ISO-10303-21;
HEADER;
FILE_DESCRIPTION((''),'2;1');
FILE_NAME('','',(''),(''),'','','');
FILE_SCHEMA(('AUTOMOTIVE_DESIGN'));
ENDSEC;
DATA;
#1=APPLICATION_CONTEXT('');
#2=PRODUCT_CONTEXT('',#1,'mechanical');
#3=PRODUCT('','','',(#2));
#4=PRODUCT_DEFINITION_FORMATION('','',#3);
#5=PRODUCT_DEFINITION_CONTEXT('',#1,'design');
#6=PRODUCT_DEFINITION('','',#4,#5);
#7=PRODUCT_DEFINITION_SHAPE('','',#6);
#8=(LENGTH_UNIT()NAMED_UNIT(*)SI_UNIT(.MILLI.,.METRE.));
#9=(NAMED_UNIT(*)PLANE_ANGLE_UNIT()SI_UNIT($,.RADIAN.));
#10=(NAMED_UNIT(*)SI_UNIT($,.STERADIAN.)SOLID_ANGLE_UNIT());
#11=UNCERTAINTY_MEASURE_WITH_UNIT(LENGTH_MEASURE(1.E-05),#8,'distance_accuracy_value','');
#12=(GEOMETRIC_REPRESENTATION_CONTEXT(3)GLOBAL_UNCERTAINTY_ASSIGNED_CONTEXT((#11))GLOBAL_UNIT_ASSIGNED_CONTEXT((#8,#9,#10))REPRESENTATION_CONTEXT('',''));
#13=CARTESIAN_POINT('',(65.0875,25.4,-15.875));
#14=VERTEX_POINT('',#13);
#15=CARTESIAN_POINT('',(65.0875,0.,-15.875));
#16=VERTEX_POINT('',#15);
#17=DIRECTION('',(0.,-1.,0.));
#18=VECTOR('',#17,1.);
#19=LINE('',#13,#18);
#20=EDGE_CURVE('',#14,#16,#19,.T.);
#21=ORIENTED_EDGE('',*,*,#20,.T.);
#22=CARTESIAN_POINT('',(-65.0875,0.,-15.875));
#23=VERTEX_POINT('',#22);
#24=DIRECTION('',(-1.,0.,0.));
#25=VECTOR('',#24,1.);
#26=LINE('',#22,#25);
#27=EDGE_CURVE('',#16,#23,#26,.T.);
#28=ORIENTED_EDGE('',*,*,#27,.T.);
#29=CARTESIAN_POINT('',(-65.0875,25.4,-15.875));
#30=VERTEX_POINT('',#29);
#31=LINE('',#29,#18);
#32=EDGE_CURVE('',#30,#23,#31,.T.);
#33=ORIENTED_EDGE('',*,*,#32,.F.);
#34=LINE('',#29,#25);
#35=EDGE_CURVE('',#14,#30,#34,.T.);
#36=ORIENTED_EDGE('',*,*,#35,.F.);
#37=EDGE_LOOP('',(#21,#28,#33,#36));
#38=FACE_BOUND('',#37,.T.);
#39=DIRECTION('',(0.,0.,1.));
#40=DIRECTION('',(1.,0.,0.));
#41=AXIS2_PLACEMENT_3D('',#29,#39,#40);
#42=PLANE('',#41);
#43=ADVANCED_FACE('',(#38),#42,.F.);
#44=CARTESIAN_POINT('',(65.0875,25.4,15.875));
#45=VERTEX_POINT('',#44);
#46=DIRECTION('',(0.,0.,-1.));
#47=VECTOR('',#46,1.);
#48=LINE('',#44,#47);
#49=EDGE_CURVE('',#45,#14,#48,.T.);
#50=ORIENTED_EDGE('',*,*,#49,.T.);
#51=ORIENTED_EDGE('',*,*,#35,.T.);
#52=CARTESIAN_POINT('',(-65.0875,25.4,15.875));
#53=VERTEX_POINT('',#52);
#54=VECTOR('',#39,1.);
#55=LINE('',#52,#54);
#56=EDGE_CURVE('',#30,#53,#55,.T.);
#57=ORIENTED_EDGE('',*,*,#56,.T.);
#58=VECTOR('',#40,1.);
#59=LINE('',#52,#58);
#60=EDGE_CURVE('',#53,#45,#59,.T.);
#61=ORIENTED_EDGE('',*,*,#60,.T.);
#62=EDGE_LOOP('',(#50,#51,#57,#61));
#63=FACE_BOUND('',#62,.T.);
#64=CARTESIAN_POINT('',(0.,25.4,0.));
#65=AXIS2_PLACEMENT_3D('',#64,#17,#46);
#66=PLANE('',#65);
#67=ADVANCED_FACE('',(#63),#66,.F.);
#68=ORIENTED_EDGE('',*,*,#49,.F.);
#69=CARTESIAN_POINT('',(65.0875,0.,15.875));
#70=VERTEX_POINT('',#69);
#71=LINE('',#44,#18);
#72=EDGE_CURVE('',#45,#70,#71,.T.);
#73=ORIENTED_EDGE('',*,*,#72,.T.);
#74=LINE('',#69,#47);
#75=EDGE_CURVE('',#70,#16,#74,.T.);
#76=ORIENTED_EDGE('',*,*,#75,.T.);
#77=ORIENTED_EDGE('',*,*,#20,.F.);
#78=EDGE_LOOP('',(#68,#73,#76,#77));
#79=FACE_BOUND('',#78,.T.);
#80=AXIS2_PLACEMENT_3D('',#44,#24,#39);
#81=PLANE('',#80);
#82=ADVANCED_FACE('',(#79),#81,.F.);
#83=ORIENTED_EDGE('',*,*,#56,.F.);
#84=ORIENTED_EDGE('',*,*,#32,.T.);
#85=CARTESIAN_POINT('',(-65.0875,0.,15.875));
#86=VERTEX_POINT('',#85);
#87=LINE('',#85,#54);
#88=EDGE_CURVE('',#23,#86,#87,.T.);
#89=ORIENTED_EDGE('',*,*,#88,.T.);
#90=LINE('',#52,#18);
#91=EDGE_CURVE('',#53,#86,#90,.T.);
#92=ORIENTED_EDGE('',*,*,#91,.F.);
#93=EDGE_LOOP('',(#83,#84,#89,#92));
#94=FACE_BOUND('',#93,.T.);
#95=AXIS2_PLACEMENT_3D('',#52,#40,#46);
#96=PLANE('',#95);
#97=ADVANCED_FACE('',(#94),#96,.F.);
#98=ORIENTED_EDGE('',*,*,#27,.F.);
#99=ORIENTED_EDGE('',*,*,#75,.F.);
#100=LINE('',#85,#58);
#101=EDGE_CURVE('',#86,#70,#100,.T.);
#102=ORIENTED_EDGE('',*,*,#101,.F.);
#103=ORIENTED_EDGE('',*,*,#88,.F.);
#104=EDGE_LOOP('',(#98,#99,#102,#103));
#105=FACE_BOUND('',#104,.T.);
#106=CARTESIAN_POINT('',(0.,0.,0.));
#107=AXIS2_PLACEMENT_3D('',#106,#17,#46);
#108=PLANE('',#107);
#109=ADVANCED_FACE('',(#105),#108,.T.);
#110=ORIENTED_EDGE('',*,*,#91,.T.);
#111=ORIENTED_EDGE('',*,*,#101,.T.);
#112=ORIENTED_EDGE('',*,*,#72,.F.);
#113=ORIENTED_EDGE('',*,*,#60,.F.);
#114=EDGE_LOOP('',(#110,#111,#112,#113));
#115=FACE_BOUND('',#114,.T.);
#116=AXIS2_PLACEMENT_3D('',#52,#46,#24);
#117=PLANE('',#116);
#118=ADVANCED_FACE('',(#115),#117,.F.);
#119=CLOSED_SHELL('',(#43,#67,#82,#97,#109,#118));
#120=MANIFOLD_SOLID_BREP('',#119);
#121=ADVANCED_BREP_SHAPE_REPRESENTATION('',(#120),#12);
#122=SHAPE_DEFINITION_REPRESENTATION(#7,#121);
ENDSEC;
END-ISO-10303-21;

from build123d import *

# Parameters (mm, degrees)
SKETCH1_W           = 130.175
SKETCH1_H           = 31.75
BOSS_EXTRUDE1_DEPTH = 25.4


with BuildPart() as part:
    # Sketch1 → Boss-Extrude1 (new body)
    with BuildSketch(Plane(origin=(0, 0, 0), x_dir=(1, 0, 0), z_dir=(0, 1, 0))):
        Rectangle(SKETCH1_W, SKETCH1_H)
    extrude(amount=BOSS_EXTRUDE1_DEPTH)


solid = part.part
